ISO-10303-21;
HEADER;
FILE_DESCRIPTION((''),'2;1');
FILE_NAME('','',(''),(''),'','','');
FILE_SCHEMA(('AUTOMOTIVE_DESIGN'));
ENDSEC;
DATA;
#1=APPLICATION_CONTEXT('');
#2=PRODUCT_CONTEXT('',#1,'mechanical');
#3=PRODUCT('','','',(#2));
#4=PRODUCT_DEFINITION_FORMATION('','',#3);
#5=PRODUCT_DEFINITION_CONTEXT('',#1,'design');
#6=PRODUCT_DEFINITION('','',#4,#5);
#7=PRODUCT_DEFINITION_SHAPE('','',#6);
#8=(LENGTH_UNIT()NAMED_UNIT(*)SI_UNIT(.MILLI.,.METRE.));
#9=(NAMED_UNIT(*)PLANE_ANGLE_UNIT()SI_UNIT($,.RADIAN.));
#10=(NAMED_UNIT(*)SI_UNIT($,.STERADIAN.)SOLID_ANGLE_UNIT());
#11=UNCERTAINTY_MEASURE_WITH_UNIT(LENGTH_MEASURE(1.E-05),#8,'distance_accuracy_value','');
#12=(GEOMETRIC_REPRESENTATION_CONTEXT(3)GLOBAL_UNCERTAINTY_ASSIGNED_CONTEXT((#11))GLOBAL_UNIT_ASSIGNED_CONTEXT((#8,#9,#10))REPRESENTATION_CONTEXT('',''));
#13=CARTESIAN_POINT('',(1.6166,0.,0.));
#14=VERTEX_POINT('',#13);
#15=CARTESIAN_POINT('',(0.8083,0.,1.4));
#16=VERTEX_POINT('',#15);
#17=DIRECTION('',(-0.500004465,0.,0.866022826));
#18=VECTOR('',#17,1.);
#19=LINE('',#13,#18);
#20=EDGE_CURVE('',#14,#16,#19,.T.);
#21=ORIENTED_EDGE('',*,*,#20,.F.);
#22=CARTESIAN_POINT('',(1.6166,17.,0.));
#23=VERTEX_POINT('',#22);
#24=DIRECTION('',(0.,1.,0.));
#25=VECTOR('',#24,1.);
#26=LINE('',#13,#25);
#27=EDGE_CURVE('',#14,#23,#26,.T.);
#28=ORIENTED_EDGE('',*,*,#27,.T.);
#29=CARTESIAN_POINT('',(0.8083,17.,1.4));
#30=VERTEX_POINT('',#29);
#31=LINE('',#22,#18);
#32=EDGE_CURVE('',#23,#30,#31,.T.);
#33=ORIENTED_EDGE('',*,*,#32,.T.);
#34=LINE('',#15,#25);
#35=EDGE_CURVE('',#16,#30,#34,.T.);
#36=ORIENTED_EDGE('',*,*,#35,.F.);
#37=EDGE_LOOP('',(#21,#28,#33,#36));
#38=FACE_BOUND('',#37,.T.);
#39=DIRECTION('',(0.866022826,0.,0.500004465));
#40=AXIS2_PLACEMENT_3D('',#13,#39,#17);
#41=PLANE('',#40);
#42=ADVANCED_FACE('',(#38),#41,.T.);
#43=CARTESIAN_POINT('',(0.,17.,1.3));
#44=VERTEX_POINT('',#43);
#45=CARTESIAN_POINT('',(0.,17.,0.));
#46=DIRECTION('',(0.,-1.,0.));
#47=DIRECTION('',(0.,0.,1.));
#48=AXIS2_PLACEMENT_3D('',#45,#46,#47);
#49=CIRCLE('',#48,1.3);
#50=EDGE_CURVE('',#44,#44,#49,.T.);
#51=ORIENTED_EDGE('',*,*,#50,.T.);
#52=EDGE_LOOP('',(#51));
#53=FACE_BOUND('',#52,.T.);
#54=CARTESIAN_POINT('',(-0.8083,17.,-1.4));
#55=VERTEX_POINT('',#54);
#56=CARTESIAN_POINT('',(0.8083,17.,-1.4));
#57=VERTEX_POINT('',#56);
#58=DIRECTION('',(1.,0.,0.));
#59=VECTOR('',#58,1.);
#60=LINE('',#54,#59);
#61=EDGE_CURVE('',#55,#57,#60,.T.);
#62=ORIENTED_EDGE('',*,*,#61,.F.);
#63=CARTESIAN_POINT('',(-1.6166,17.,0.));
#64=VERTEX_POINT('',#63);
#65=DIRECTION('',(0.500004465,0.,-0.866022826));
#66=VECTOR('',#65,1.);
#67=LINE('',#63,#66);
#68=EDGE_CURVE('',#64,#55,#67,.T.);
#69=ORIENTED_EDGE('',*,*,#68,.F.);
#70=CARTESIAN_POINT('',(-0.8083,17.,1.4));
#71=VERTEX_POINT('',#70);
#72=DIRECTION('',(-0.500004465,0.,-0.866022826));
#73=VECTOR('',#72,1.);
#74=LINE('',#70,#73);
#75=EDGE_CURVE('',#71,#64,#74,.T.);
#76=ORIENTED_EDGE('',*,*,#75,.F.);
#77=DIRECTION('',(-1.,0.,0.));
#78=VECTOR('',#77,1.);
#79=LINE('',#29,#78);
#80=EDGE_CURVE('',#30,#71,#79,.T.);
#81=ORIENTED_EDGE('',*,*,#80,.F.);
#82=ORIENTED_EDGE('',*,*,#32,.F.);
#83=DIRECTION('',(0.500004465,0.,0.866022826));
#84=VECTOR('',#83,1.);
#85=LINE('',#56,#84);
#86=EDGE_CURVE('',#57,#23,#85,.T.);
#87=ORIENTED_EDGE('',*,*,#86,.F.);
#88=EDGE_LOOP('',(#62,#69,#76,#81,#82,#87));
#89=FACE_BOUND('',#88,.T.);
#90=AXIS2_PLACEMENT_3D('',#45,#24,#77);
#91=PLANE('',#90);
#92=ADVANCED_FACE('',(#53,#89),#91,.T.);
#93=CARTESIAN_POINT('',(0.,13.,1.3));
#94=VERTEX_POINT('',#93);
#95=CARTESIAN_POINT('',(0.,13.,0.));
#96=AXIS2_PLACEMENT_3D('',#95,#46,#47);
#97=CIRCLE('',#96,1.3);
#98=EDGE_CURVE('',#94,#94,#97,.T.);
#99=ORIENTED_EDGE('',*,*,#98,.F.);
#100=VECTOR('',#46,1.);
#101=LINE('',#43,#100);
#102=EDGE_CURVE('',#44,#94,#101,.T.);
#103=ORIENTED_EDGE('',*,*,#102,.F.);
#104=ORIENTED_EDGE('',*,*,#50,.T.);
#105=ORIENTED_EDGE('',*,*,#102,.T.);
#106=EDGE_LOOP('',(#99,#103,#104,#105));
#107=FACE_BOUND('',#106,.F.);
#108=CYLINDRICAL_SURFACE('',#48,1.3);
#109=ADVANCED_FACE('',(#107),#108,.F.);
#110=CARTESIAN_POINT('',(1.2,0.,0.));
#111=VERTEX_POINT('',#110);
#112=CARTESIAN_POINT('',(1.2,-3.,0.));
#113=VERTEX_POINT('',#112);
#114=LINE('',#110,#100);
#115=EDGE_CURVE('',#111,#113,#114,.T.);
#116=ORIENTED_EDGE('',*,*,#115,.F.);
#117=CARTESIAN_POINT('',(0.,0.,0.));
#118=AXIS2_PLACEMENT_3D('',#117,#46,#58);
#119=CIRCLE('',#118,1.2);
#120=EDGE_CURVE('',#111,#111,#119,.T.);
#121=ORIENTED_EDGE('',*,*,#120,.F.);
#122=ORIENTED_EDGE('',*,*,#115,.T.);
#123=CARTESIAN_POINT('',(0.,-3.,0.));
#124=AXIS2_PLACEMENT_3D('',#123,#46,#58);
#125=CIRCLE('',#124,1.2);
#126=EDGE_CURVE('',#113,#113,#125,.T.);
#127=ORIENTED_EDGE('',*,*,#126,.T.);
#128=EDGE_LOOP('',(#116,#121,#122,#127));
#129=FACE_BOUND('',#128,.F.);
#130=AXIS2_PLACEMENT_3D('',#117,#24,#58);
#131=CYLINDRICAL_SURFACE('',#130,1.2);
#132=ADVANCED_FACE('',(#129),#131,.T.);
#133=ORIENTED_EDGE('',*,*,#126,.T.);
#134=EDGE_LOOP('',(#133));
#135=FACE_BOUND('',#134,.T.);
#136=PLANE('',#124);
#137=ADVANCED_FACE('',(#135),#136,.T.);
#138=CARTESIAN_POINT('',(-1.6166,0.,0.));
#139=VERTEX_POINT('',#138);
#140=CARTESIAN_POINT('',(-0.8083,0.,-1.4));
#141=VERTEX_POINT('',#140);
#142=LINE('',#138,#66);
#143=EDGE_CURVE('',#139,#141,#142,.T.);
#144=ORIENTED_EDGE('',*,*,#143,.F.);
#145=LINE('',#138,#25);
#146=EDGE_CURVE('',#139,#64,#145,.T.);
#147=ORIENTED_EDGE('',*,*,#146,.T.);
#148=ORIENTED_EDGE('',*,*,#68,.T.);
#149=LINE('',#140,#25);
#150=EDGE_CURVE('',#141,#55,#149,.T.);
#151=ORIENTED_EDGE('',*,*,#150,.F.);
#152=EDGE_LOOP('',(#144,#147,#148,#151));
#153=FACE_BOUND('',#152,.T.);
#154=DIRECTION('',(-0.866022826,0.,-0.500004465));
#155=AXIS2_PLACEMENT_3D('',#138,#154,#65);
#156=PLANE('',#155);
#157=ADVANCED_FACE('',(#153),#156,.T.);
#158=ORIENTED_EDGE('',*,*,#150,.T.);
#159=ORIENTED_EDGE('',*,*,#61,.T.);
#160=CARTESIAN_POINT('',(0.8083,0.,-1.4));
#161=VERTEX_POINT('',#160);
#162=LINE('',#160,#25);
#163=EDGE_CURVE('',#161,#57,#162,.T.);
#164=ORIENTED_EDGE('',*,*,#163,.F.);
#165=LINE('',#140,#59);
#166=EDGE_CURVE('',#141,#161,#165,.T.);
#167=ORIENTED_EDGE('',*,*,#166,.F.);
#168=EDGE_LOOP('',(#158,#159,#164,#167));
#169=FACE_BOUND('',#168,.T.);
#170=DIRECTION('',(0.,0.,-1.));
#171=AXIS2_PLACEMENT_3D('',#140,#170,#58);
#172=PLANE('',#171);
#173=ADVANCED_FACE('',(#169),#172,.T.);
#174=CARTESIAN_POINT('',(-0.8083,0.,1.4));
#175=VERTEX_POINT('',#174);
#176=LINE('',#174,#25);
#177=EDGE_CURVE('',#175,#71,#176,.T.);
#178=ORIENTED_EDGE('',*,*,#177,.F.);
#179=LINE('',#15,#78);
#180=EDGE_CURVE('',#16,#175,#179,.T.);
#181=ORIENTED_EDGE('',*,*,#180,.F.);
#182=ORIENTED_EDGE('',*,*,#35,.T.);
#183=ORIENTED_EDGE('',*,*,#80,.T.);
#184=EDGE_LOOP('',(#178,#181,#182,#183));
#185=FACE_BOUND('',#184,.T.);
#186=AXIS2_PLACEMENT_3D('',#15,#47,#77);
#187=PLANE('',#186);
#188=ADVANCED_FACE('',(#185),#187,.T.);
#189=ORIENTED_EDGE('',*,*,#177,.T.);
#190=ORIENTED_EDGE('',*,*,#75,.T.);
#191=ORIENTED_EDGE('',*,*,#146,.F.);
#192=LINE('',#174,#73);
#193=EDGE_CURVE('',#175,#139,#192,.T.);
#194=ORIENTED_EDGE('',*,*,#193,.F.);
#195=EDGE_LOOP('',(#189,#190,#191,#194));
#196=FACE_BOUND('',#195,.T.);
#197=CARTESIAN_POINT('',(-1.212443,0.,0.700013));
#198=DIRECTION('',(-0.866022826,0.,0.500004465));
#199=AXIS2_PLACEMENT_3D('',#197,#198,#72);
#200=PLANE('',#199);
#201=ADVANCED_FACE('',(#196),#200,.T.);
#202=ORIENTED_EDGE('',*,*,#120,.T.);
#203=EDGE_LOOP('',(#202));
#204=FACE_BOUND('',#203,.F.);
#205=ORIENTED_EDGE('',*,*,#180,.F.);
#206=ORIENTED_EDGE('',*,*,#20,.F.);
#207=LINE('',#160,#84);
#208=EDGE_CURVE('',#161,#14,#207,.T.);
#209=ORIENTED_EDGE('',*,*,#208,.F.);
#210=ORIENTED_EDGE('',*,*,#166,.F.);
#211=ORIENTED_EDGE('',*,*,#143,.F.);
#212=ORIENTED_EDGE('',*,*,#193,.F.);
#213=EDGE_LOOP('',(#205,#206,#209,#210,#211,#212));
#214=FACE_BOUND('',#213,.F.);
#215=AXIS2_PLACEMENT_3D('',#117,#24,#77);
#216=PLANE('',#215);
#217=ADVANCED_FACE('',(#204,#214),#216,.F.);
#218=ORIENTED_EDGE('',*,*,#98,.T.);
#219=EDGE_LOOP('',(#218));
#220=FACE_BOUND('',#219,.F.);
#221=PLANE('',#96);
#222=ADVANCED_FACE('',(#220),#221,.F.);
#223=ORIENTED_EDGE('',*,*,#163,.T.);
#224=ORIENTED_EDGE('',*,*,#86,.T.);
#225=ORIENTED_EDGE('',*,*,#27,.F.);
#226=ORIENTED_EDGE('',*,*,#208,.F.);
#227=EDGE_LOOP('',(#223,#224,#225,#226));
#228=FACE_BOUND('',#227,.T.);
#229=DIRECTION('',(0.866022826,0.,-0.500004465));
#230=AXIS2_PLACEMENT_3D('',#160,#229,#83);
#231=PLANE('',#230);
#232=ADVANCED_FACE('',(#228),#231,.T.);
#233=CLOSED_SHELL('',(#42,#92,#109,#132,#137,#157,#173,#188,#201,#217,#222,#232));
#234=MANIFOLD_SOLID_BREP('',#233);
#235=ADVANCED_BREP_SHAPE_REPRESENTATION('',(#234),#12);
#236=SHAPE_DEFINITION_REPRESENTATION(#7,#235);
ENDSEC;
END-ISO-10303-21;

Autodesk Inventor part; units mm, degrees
ref_plane "YZ Plane" through (0, 0, 0) normal (1, 0, 0) x (0, 1, 0)
ref_plane "XZ Plane" through (0, 0, 0) normal (0, 1, 0) x (-1, 0, 0)
ref_plane "XY Plane" through (0, 0, 0) normal (0, 0, 1) x (1, 0, 0)
sketch "Эскиз1" plane through (0, 0, 0) normal (0, 1, 0) x (-1, 0, 0)
  circle A0 centre (0, 0) radius 1.4
  line L0 (0.8083, 1.4) -> (1.6166, 0)
  line L1 (1.6166, 0) -> (0.8083, -1.4)
  line L2 (0.8083, -1.4) -> (-0.8083, -1.4)
  line L3 (-0.8083, -1.4) -> (-1.6166, 0)
  line L4 (-1.6166, 0) -> (-0.8083, 1.4)
  line L5 (-0.8083, 1.4) -> (0.8083, 1.4)
  line L6 (0, 0) -> (3.2332, 0) construction
  dimension "d0" = 2.8
extrude "Выдавливание1" add sketch "Эскиз1" along normal blind 17
sketch "Эскиз2" plane through (0, 17, 0) normal (0, 1, 0) x (1, 0, 0)
  point P0 (0, 0)
  point P1 (0, 0)
hole "Отверстие1" at (0, 17, 0) direction (0, -1, 0) diameter 2.6 depth 4
sketch "Эскиз3" plane through (0, 0, 0) normal (0, -1, 0) x (1, 0, 0)
  circle A0 centre (0, 0) radius 1.2
  dimension "d10" = 2.4
extrude "Выдавливание2" add sketch "Эскиз3" along normal blind 3
properties part number "столбики"
